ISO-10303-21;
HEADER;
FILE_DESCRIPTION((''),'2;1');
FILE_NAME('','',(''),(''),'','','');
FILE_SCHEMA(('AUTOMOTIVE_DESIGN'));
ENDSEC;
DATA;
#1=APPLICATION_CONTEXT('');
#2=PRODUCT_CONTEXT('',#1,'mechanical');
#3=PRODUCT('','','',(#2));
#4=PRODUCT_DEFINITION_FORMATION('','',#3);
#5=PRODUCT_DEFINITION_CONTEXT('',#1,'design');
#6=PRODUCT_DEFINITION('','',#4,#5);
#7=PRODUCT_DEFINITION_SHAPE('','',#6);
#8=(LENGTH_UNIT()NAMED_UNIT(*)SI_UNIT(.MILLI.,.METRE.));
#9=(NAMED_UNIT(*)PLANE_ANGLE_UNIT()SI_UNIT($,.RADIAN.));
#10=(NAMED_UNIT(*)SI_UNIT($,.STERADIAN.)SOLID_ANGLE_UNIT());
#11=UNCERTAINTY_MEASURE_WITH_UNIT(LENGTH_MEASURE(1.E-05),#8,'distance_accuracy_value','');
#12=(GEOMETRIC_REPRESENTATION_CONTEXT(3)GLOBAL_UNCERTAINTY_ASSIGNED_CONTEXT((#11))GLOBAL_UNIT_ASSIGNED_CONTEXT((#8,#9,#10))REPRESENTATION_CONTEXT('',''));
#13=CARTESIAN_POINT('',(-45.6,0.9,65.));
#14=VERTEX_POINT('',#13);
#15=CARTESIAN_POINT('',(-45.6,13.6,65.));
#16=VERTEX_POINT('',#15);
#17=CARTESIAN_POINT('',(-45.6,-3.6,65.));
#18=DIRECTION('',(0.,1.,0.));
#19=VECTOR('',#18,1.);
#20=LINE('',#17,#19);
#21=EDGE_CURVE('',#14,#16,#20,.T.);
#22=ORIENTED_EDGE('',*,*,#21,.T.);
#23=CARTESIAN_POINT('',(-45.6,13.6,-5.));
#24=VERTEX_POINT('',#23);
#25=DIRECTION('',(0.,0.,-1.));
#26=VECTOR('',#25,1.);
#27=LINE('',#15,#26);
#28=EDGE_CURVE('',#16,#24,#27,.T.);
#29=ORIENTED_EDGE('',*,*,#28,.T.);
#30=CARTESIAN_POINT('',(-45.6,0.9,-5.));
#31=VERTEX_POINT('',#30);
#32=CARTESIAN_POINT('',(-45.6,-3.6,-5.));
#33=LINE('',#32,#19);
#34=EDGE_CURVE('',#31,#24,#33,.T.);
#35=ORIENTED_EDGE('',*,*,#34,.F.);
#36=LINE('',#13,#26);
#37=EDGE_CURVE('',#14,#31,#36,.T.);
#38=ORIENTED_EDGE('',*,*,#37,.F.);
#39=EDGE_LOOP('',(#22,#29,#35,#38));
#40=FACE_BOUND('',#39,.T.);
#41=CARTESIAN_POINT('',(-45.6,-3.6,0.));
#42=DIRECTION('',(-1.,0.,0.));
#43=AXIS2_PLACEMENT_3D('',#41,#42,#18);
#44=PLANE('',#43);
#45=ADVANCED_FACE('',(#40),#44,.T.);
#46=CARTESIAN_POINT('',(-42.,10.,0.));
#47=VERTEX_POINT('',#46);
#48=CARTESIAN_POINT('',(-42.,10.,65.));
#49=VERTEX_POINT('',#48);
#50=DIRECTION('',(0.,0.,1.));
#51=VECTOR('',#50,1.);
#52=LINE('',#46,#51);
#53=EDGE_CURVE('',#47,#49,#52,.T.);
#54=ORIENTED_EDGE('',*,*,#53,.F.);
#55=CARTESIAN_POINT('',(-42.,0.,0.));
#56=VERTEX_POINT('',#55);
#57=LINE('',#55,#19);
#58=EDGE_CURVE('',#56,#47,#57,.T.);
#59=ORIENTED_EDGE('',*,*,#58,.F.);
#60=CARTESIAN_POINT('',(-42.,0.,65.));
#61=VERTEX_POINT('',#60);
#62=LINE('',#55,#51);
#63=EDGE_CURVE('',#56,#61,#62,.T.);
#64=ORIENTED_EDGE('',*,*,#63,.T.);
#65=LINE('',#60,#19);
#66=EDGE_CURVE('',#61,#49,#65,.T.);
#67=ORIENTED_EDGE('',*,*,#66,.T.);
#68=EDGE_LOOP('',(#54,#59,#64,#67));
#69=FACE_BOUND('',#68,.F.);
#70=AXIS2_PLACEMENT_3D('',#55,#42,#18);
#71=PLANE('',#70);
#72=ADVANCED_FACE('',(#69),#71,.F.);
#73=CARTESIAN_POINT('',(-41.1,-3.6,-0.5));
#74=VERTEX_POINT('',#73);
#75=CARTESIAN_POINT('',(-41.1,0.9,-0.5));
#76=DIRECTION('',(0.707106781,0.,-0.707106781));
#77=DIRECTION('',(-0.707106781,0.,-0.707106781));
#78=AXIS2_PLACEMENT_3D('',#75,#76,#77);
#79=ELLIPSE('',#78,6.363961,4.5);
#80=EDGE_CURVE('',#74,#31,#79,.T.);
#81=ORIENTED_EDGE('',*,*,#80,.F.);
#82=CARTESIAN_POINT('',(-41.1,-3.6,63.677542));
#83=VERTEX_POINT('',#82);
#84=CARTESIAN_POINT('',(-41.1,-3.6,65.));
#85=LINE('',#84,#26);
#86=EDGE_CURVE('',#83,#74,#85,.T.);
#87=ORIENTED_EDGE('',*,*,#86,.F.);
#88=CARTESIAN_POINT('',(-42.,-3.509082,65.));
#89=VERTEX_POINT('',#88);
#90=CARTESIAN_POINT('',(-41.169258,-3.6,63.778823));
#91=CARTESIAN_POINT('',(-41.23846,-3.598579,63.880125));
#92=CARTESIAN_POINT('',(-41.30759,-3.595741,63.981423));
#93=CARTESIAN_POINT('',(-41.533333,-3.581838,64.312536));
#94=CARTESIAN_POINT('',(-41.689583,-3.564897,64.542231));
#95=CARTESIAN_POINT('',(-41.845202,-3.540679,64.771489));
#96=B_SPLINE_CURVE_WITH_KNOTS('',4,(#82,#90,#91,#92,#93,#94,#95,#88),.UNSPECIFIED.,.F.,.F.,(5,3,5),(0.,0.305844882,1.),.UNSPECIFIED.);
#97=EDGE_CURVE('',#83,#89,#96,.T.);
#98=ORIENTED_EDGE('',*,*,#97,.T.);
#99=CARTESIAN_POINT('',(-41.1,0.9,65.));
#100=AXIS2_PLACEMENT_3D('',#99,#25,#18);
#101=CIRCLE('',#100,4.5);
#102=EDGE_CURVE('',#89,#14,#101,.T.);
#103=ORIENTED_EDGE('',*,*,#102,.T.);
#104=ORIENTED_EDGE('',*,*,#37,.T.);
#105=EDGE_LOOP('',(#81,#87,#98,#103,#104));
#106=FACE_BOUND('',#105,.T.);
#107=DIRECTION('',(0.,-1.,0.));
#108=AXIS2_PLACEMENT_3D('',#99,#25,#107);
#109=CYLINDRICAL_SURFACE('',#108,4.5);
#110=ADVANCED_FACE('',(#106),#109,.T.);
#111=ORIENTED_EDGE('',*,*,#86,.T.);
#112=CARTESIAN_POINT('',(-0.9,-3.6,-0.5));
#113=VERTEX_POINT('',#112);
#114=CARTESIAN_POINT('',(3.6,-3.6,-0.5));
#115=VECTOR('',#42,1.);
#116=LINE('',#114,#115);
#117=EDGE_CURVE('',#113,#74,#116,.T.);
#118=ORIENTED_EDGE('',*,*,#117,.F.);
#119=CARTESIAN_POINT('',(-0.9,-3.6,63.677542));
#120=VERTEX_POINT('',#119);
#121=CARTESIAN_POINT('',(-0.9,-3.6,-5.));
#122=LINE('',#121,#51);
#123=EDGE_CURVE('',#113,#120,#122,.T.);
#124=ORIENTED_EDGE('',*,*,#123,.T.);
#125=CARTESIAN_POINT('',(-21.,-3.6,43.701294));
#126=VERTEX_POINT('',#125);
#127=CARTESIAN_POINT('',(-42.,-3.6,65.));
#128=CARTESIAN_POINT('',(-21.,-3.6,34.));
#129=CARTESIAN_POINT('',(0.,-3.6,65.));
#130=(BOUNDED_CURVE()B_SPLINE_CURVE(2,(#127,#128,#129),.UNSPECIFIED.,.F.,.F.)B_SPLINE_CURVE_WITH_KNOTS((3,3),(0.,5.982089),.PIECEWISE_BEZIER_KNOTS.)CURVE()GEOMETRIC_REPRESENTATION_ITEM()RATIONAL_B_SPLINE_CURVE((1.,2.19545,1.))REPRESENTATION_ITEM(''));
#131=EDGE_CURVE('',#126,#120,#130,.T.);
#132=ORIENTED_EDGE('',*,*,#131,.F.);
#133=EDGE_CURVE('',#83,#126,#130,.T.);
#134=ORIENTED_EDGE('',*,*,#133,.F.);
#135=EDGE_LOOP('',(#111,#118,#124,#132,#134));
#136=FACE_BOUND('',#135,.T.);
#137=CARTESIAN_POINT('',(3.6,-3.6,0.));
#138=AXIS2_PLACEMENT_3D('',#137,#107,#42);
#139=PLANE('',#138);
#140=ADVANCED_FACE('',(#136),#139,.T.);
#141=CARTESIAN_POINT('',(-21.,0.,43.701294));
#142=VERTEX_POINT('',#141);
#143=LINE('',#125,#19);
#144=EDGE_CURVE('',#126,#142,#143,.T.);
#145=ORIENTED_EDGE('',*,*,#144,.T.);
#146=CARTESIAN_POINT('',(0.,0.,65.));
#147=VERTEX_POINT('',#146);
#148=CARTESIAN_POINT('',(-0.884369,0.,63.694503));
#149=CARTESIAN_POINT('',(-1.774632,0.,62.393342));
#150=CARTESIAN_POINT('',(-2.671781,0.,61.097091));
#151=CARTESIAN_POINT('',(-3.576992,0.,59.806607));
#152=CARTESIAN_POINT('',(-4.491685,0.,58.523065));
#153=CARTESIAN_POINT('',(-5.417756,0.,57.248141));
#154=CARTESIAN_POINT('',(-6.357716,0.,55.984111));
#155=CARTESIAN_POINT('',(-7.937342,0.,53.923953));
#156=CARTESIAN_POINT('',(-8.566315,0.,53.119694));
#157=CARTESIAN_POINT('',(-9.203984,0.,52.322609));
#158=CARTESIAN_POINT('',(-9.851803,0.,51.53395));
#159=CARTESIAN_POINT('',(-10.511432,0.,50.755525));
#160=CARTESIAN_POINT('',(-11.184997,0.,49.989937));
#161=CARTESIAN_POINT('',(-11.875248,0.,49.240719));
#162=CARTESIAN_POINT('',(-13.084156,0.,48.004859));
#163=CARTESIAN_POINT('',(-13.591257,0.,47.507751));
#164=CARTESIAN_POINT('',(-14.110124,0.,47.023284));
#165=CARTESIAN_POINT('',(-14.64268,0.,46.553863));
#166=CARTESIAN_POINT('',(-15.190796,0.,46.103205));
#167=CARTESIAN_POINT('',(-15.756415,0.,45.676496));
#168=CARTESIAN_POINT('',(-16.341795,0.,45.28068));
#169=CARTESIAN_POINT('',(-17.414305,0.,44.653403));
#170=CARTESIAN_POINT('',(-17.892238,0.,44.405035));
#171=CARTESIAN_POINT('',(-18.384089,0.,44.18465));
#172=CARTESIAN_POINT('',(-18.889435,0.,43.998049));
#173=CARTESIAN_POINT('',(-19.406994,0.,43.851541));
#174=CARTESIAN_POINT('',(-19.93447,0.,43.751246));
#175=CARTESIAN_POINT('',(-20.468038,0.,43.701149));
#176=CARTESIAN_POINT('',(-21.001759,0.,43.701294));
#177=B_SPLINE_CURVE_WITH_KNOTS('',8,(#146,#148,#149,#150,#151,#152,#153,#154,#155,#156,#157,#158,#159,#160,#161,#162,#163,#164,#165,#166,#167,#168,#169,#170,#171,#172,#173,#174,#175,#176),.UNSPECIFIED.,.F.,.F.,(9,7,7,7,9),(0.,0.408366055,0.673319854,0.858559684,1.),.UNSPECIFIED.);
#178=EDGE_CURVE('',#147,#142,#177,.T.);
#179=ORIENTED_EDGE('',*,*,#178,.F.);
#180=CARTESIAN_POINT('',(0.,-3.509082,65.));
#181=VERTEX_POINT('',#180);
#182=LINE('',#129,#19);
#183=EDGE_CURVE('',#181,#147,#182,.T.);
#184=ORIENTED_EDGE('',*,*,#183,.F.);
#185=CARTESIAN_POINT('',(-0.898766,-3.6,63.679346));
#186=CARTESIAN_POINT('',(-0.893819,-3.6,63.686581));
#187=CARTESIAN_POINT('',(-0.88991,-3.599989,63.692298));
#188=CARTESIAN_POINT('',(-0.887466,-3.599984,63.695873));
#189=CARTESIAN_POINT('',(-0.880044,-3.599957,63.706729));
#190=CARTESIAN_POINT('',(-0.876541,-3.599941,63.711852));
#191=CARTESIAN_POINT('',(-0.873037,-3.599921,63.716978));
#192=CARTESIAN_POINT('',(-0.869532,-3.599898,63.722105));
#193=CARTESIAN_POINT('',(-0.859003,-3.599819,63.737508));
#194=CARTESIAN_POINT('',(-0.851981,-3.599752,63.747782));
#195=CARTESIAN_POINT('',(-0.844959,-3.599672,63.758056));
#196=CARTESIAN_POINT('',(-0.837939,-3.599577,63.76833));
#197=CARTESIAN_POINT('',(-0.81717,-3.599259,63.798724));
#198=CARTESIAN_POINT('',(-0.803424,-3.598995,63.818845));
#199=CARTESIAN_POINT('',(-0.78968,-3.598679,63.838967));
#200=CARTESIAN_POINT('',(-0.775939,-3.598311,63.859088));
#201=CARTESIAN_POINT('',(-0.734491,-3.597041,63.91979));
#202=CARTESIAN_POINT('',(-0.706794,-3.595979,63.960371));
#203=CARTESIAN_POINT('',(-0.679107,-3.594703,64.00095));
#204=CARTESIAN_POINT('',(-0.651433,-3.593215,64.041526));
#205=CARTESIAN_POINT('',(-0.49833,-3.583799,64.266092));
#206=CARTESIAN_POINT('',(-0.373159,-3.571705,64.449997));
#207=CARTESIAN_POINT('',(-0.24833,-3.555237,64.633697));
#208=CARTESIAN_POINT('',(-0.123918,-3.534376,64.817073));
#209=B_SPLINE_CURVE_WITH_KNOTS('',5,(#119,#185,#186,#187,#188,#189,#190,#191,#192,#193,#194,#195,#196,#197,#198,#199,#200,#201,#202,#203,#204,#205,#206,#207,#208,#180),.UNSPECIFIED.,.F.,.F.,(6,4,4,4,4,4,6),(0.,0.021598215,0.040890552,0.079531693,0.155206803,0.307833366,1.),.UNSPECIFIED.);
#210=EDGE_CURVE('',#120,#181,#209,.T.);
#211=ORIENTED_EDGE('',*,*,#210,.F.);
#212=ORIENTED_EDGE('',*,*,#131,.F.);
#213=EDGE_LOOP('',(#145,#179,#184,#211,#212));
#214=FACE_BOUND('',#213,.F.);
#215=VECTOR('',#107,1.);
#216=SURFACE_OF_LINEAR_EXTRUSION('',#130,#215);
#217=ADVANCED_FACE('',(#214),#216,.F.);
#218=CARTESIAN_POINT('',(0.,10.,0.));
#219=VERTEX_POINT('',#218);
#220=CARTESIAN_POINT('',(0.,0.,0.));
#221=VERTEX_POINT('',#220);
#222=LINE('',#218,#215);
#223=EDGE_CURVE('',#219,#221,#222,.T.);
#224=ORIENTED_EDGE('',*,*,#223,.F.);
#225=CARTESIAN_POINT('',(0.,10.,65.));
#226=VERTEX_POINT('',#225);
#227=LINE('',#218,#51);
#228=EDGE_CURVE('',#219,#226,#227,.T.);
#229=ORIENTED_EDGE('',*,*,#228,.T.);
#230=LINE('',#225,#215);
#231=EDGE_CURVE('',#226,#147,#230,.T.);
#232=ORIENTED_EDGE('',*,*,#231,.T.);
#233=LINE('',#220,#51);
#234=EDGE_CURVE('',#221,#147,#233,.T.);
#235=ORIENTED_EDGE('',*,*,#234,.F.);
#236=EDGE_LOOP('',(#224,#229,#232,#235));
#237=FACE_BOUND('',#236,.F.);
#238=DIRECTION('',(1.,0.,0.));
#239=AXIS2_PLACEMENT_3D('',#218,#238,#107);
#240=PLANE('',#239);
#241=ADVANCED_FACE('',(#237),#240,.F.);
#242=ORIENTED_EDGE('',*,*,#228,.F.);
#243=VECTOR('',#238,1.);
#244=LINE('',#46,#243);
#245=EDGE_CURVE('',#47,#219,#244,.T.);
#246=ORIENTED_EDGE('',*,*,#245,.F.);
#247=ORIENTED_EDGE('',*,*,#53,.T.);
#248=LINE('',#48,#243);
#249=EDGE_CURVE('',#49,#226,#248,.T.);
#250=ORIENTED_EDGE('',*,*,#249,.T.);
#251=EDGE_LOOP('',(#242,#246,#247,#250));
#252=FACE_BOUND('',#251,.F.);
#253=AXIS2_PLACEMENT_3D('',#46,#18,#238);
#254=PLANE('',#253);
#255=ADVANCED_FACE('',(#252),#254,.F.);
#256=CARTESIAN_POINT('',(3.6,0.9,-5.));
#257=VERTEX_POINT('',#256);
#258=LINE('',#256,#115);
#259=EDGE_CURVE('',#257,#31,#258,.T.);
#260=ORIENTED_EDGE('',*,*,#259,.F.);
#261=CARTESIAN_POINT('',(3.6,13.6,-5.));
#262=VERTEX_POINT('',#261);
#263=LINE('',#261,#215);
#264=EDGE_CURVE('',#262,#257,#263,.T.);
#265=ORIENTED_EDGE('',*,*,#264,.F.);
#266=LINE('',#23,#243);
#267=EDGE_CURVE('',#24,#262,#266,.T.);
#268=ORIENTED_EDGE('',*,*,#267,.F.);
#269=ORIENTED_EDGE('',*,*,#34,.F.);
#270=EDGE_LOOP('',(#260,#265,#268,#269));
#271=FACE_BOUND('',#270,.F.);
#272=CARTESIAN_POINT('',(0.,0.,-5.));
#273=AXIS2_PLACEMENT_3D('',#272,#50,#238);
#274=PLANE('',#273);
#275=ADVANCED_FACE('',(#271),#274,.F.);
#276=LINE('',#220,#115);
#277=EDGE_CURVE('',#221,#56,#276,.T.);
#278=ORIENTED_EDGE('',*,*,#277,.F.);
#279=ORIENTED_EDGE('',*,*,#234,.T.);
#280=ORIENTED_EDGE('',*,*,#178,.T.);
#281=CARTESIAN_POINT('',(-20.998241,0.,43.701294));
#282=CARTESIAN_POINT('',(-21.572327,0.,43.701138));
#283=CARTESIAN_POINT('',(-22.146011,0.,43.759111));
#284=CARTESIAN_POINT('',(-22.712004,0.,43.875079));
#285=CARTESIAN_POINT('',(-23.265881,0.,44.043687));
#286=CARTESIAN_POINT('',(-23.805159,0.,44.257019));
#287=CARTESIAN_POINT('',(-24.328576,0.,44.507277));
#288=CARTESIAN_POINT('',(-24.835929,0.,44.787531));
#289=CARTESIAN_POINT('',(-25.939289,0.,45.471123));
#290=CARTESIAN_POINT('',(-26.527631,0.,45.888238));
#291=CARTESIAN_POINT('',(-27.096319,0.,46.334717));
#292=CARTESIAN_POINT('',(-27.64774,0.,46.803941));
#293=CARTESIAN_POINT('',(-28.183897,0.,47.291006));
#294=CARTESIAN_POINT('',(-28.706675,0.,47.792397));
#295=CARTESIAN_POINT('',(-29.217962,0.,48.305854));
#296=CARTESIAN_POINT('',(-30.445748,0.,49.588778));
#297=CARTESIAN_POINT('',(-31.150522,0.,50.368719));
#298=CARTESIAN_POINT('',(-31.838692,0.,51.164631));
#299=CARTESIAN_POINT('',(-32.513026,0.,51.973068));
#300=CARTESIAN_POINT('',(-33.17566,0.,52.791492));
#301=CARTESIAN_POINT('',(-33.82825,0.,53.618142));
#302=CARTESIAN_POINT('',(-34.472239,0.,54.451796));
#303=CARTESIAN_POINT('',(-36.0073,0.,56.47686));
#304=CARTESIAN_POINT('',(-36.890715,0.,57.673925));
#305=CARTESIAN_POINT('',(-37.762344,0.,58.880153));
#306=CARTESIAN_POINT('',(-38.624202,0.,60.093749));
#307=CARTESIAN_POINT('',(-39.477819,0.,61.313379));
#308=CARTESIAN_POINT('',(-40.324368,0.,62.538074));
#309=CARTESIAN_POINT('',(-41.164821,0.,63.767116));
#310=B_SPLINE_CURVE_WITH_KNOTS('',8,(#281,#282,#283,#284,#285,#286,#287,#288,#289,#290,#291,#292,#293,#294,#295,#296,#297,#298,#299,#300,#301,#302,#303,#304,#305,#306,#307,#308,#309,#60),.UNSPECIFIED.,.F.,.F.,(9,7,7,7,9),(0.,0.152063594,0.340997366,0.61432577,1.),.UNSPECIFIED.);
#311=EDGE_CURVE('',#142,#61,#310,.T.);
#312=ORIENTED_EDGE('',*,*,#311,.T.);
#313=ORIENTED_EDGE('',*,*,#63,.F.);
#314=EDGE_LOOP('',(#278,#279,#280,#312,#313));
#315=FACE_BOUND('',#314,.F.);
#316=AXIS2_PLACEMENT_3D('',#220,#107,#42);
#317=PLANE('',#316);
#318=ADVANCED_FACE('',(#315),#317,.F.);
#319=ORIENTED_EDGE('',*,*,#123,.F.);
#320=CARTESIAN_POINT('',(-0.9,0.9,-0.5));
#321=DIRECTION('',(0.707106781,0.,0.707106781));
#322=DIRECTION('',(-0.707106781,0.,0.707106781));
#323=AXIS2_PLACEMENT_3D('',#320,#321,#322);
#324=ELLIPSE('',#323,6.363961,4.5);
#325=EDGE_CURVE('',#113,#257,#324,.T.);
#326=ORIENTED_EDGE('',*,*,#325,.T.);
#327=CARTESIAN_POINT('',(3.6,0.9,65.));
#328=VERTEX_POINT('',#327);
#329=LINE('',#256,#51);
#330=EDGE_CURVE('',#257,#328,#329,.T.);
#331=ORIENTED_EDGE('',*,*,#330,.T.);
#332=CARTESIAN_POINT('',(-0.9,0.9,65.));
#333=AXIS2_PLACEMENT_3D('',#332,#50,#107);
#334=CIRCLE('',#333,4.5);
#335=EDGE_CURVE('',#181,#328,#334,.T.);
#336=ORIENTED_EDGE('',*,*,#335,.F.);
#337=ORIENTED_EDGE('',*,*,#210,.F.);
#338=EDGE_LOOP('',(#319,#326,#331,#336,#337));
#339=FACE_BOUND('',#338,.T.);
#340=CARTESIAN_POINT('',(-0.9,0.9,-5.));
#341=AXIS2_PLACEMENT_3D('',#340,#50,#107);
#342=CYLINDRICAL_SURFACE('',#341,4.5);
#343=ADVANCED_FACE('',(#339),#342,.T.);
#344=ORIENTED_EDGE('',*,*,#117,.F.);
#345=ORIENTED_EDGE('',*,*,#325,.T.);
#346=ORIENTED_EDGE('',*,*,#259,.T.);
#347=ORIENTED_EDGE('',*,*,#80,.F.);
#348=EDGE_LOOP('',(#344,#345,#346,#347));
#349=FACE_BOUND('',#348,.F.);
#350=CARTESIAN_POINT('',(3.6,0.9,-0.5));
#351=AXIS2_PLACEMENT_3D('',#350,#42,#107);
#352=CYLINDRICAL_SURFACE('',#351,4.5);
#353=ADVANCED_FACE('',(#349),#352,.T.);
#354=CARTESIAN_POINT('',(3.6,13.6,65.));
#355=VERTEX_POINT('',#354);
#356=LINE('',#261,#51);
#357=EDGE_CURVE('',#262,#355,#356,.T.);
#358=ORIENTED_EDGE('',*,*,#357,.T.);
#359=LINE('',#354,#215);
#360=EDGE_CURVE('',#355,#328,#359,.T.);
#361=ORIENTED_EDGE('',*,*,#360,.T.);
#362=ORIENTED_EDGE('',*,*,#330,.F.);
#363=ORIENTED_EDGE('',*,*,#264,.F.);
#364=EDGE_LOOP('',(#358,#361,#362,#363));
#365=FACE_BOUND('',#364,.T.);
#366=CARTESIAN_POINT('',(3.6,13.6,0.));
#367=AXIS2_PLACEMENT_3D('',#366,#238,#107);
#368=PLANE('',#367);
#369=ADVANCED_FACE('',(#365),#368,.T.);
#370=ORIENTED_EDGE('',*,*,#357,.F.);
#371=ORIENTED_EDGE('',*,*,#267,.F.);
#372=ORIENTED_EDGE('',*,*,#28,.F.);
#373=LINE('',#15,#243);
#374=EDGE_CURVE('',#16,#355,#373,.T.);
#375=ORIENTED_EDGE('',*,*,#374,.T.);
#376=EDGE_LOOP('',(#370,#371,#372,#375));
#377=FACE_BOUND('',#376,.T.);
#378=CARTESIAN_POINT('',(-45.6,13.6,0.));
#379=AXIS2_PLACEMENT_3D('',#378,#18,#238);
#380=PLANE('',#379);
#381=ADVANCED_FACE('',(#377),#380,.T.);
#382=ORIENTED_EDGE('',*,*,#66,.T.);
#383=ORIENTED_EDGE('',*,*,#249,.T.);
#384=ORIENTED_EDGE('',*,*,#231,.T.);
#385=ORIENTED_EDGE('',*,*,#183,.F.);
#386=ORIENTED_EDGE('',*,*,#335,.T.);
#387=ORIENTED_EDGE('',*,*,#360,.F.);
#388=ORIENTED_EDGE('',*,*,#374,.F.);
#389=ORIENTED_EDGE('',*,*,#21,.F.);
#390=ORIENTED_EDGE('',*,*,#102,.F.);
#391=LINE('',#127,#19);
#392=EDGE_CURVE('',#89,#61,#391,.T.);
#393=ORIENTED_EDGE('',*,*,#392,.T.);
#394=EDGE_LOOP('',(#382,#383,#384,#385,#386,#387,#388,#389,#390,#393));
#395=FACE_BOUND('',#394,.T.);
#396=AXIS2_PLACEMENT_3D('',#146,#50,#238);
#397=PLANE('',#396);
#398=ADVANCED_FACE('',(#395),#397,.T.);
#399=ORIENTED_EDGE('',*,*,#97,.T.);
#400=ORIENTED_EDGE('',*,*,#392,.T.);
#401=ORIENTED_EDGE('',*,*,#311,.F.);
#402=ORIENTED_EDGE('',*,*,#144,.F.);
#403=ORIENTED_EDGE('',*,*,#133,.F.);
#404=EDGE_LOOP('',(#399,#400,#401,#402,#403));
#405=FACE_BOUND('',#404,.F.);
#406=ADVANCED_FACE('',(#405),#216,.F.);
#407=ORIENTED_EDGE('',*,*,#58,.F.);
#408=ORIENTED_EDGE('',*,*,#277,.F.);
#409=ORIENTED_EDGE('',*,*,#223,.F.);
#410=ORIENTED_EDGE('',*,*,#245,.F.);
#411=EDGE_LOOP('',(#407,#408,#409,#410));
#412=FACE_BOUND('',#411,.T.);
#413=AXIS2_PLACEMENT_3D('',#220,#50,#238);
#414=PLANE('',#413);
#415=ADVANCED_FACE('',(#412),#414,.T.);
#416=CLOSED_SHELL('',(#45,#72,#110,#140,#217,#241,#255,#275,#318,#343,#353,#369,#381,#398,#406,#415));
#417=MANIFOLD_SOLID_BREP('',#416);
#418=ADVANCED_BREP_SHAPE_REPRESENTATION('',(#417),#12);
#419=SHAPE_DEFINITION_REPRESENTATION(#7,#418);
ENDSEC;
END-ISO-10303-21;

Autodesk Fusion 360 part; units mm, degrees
sketch "Sketch1" plane through (0, 0, 0) normal (0, 0, 1) x (1, 0, 0)
  line L0 (0, 0) -> (-42, 0)
  line L1 (-42, 0) -> (-42, 10)
  line L2 (-42, 10) -> (0, 10)
  line L3 (0, 10) -> (0, 0)
  line L4 (3.6, -3.6) -> (-45.6, -3.6)
  line L5 (-45.6, -3.6) -> (-45.6, 13.6)
  line L6 (-45.6, 13.6) -> (3.6, 13.6)
  line L7 (3.6, 13.6) -> (3.6, -3.6)
  dimension "d1" = 42
  dimension "d2" = 10
  dimension "d3" = -3.6
extrude "Extrude1" add sketch "Sketch1" along normal blind 65
extrude "Extrude2" add sketch "Sketch1" against normal blind 5 contours L0 L1 L2 L3 | L4 L5 L6 L7
sketch "Sketch2" plane through (0, -3.6, 0) normal (0, -1, 0) x (1, 0, 0)
  line L0 (3.6, -5) -> (3.6, 65)
  line L1 (3.6, 65) -> (-45.6, 65)
  line L2 (-45.6, 65) -> (-45.6, -5)
  line L3 (-45.6, -5) -> (3.6, -5)
  curve L4
  curve L5
  line L6 (-21, 65) -> (-21, -5)
  spline S0 degree 2 poles (-42, 65) (-21, 34) (0, 65) knots 0 0 0 5.982089 5.982089 5.982089 weights 1 2.19545 1
  point P0 (0, 65)
  point P1 (-42, 65)
extrude "Extrude3" cut sketch "Sketch2" against normal blind 13.6 contours L1 L6 S0 | L1 L6 S0
fillet "Fillet1" radius 4.5 3 edges at (-45.6, -3.6, 30) (-21, -3.6, -5) (3.6, -3.6, 30)
